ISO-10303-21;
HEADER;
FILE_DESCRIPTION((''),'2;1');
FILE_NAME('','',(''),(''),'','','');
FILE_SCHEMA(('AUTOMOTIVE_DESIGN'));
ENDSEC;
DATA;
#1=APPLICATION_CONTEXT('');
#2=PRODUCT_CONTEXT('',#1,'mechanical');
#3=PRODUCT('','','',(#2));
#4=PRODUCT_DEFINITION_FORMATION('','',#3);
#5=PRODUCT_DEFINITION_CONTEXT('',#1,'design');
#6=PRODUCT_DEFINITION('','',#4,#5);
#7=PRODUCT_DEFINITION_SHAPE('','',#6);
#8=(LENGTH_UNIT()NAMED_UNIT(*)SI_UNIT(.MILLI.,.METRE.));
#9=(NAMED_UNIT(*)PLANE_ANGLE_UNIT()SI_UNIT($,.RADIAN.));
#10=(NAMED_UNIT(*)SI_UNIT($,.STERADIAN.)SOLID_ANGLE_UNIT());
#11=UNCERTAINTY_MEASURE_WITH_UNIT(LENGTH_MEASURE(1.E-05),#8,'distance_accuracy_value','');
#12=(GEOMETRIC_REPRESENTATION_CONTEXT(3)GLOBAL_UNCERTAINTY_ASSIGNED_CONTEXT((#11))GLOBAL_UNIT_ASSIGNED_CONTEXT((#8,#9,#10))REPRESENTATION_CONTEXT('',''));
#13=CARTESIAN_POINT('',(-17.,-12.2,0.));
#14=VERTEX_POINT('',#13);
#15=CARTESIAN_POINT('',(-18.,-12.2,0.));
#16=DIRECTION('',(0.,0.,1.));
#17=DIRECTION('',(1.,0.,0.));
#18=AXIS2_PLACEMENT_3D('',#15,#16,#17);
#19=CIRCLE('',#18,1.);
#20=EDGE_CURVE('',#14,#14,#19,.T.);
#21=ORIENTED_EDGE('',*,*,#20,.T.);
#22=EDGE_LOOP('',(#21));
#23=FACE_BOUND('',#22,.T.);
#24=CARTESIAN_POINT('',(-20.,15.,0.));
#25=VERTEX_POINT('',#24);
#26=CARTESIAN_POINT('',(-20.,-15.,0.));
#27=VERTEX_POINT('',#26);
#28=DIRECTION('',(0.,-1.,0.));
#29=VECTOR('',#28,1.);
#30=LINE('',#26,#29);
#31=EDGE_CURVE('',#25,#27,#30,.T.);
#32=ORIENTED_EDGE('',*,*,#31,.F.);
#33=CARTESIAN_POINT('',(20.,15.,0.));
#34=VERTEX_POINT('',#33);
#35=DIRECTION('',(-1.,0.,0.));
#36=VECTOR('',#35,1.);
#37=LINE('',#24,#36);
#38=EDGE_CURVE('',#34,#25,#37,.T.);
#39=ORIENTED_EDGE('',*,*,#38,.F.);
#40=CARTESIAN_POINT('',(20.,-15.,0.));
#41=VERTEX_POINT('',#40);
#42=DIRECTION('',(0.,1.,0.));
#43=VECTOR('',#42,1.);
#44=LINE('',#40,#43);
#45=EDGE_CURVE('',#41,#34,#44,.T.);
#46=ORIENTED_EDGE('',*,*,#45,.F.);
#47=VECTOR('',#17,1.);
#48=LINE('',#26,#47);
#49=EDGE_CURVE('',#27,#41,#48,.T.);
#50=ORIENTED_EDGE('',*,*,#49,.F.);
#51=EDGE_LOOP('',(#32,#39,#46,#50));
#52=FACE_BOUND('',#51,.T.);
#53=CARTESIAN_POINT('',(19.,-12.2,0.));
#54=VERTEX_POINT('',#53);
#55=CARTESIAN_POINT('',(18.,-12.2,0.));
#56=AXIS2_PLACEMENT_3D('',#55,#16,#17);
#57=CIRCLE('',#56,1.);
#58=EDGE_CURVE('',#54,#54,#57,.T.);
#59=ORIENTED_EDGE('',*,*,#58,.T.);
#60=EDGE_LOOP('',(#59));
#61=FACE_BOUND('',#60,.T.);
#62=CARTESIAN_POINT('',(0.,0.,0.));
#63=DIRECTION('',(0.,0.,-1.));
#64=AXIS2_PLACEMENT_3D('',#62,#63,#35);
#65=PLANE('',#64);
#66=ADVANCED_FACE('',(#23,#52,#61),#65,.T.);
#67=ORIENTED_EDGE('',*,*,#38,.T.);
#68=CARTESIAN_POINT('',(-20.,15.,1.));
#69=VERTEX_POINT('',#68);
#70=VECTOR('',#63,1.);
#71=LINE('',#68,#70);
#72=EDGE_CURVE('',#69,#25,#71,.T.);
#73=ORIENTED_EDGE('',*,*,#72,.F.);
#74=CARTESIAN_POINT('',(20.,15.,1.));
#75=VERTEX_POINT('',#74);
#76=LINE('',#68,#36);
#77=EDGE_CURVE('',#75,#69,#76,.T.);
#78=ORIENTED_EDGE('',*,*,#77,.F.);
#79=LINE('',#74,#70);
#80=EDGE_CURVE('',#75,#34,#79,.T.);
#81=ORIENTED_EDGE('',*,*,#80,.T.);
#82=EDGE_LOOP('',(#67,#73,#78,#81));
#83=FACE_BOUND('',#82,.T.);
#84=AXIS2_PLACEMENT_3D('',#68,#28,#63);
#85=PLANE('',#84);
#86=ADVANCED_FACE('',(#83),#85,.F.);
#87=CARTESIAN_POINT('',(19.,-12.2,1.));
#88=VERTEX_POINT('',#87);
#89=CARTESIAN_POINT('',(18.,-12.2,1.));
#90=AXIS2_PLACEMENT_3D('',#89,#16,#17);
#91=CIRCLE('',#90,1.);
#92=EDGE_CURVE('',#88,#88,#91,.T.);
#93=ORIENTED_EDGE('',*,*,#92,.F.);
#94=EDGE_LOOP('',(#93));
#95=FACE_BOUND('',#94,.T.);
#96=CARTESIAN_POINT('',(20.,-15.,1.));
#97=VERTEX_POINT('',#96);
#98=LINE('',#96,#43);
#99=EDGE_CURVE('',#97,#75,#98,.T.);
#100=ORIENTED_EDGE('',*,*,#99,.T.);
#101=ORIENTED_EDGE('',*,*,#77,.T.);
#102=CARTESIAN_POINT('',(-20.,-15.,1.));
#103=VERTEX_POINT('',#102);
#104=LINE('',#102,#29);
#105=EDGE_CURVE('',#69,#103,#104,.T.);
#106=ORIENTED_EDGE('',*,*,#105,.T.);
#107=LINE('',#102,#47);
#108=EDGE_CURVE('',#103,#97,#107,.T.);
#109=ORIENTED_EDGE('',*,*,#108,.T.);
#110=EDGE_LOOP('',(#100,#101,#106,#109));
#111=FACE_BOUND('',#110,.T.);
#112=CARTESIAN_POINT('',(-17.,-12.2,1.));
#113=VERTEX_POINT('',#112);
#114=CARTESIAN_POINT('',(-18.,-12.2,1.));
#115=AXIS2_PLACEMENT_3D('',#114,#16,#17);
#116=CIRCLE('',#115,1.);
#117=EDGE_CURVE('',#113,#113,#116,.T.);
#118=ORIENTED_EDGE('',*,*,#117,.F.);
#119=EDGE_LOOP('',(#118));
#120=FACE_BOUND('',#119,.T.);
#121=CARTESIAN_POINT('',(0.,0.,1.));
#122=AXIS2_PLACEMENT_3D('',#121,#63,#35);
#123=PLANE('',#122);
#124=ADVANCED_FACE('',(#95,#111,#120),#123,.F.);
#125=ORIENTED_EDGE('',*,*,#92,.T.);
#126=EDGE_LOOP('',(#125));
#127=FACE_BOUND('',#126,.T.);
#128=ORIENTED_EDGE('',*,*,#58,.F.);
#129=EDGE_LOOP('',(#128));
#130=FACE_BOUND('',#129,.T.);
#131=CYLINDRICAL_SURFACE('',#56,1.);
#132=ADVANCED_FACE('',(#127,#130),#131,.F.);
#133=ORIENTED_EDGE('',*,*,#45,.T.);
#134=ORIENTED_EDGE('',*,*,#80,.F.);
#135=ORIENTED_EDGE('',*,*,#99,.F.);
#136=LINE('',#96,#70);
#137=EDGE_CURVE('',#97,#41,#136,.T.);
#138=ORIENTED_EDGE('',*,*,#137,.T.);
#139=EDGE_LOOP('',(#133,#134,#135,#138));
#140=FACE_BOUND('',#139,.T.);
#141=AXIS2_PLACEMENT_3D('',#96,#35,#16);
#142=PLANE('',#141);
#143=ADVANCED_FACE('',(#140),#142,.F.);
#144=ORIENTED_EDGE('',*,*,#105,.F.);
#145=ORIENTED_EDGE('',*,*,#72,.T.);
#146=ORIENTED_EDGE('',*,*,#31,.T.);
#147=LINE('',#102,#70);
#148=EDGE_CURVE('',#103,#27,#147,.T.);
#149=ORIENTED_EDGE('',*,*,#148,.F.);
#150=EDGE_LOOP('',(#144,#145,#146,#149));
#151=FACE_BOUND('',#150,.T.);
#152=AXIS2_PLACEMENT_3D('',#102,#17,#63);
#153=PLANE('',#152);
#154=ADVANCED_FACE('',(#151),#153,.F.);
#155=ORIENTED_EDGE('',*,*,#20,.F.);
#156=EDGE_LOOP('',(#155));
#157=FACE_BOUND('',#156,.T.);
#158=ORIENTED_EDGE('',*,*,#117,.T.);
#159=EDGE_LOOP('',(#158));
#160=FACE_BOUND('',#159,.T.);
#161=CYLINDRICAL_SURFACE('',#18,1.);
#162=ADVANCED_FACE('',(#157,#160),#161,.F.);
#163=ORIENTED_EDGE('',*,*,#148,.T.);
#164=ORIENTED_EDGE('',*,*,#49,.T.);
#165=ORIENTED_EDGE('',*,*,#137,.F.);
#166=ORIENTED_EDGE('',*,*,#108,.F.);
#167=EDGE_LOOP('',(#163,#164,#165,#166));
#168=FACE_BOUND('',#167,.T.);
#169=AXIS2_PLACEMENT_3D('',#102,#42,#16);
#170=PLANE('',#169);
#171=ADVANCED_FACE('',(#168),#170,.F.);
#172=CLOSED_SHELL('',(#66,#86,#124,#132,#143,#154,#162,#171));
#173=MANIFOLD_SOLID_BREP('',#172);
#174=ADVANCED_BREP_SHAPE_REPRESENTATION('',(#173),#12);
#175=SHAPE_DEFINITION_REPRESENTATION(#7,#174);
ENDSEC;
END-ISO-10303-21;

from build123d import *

# Parameters (mm, degrees)
SKICA1_W                 = 40
SKICA1_H                 = 30
P_IDAT_VYSUNUT_M1_DEPTH  = 1
SKICA2_R                 = 1
ODEBRAT_VYSUNUT_M1_DEPTH = 1


with BuildPart() as part:
    # Skica1 → Přidat vysunutím1 (new body)
    with BuildSketch(Plane.XY):
        Rectangle(SKICA1_W, SKICA1_H)
    extrude(amount=P_IDAT_VYSUNUT_M1_DEPTH)

    # Skica2 → Odebrat vysunutím1 (cut)
    with BuildSketch(Plane.XY.offset(1)):
        with Locations((18, -12.2)):
            Circle(SKICA2_R)
        with Locations((-18, -12.2)):
            Circle(SKICA2_R)
    extrude(amount=-ODEBRAT_VYSUNUT_M1_DEPTH, mode=Mode.SUBTRACT)


solid = part.part
